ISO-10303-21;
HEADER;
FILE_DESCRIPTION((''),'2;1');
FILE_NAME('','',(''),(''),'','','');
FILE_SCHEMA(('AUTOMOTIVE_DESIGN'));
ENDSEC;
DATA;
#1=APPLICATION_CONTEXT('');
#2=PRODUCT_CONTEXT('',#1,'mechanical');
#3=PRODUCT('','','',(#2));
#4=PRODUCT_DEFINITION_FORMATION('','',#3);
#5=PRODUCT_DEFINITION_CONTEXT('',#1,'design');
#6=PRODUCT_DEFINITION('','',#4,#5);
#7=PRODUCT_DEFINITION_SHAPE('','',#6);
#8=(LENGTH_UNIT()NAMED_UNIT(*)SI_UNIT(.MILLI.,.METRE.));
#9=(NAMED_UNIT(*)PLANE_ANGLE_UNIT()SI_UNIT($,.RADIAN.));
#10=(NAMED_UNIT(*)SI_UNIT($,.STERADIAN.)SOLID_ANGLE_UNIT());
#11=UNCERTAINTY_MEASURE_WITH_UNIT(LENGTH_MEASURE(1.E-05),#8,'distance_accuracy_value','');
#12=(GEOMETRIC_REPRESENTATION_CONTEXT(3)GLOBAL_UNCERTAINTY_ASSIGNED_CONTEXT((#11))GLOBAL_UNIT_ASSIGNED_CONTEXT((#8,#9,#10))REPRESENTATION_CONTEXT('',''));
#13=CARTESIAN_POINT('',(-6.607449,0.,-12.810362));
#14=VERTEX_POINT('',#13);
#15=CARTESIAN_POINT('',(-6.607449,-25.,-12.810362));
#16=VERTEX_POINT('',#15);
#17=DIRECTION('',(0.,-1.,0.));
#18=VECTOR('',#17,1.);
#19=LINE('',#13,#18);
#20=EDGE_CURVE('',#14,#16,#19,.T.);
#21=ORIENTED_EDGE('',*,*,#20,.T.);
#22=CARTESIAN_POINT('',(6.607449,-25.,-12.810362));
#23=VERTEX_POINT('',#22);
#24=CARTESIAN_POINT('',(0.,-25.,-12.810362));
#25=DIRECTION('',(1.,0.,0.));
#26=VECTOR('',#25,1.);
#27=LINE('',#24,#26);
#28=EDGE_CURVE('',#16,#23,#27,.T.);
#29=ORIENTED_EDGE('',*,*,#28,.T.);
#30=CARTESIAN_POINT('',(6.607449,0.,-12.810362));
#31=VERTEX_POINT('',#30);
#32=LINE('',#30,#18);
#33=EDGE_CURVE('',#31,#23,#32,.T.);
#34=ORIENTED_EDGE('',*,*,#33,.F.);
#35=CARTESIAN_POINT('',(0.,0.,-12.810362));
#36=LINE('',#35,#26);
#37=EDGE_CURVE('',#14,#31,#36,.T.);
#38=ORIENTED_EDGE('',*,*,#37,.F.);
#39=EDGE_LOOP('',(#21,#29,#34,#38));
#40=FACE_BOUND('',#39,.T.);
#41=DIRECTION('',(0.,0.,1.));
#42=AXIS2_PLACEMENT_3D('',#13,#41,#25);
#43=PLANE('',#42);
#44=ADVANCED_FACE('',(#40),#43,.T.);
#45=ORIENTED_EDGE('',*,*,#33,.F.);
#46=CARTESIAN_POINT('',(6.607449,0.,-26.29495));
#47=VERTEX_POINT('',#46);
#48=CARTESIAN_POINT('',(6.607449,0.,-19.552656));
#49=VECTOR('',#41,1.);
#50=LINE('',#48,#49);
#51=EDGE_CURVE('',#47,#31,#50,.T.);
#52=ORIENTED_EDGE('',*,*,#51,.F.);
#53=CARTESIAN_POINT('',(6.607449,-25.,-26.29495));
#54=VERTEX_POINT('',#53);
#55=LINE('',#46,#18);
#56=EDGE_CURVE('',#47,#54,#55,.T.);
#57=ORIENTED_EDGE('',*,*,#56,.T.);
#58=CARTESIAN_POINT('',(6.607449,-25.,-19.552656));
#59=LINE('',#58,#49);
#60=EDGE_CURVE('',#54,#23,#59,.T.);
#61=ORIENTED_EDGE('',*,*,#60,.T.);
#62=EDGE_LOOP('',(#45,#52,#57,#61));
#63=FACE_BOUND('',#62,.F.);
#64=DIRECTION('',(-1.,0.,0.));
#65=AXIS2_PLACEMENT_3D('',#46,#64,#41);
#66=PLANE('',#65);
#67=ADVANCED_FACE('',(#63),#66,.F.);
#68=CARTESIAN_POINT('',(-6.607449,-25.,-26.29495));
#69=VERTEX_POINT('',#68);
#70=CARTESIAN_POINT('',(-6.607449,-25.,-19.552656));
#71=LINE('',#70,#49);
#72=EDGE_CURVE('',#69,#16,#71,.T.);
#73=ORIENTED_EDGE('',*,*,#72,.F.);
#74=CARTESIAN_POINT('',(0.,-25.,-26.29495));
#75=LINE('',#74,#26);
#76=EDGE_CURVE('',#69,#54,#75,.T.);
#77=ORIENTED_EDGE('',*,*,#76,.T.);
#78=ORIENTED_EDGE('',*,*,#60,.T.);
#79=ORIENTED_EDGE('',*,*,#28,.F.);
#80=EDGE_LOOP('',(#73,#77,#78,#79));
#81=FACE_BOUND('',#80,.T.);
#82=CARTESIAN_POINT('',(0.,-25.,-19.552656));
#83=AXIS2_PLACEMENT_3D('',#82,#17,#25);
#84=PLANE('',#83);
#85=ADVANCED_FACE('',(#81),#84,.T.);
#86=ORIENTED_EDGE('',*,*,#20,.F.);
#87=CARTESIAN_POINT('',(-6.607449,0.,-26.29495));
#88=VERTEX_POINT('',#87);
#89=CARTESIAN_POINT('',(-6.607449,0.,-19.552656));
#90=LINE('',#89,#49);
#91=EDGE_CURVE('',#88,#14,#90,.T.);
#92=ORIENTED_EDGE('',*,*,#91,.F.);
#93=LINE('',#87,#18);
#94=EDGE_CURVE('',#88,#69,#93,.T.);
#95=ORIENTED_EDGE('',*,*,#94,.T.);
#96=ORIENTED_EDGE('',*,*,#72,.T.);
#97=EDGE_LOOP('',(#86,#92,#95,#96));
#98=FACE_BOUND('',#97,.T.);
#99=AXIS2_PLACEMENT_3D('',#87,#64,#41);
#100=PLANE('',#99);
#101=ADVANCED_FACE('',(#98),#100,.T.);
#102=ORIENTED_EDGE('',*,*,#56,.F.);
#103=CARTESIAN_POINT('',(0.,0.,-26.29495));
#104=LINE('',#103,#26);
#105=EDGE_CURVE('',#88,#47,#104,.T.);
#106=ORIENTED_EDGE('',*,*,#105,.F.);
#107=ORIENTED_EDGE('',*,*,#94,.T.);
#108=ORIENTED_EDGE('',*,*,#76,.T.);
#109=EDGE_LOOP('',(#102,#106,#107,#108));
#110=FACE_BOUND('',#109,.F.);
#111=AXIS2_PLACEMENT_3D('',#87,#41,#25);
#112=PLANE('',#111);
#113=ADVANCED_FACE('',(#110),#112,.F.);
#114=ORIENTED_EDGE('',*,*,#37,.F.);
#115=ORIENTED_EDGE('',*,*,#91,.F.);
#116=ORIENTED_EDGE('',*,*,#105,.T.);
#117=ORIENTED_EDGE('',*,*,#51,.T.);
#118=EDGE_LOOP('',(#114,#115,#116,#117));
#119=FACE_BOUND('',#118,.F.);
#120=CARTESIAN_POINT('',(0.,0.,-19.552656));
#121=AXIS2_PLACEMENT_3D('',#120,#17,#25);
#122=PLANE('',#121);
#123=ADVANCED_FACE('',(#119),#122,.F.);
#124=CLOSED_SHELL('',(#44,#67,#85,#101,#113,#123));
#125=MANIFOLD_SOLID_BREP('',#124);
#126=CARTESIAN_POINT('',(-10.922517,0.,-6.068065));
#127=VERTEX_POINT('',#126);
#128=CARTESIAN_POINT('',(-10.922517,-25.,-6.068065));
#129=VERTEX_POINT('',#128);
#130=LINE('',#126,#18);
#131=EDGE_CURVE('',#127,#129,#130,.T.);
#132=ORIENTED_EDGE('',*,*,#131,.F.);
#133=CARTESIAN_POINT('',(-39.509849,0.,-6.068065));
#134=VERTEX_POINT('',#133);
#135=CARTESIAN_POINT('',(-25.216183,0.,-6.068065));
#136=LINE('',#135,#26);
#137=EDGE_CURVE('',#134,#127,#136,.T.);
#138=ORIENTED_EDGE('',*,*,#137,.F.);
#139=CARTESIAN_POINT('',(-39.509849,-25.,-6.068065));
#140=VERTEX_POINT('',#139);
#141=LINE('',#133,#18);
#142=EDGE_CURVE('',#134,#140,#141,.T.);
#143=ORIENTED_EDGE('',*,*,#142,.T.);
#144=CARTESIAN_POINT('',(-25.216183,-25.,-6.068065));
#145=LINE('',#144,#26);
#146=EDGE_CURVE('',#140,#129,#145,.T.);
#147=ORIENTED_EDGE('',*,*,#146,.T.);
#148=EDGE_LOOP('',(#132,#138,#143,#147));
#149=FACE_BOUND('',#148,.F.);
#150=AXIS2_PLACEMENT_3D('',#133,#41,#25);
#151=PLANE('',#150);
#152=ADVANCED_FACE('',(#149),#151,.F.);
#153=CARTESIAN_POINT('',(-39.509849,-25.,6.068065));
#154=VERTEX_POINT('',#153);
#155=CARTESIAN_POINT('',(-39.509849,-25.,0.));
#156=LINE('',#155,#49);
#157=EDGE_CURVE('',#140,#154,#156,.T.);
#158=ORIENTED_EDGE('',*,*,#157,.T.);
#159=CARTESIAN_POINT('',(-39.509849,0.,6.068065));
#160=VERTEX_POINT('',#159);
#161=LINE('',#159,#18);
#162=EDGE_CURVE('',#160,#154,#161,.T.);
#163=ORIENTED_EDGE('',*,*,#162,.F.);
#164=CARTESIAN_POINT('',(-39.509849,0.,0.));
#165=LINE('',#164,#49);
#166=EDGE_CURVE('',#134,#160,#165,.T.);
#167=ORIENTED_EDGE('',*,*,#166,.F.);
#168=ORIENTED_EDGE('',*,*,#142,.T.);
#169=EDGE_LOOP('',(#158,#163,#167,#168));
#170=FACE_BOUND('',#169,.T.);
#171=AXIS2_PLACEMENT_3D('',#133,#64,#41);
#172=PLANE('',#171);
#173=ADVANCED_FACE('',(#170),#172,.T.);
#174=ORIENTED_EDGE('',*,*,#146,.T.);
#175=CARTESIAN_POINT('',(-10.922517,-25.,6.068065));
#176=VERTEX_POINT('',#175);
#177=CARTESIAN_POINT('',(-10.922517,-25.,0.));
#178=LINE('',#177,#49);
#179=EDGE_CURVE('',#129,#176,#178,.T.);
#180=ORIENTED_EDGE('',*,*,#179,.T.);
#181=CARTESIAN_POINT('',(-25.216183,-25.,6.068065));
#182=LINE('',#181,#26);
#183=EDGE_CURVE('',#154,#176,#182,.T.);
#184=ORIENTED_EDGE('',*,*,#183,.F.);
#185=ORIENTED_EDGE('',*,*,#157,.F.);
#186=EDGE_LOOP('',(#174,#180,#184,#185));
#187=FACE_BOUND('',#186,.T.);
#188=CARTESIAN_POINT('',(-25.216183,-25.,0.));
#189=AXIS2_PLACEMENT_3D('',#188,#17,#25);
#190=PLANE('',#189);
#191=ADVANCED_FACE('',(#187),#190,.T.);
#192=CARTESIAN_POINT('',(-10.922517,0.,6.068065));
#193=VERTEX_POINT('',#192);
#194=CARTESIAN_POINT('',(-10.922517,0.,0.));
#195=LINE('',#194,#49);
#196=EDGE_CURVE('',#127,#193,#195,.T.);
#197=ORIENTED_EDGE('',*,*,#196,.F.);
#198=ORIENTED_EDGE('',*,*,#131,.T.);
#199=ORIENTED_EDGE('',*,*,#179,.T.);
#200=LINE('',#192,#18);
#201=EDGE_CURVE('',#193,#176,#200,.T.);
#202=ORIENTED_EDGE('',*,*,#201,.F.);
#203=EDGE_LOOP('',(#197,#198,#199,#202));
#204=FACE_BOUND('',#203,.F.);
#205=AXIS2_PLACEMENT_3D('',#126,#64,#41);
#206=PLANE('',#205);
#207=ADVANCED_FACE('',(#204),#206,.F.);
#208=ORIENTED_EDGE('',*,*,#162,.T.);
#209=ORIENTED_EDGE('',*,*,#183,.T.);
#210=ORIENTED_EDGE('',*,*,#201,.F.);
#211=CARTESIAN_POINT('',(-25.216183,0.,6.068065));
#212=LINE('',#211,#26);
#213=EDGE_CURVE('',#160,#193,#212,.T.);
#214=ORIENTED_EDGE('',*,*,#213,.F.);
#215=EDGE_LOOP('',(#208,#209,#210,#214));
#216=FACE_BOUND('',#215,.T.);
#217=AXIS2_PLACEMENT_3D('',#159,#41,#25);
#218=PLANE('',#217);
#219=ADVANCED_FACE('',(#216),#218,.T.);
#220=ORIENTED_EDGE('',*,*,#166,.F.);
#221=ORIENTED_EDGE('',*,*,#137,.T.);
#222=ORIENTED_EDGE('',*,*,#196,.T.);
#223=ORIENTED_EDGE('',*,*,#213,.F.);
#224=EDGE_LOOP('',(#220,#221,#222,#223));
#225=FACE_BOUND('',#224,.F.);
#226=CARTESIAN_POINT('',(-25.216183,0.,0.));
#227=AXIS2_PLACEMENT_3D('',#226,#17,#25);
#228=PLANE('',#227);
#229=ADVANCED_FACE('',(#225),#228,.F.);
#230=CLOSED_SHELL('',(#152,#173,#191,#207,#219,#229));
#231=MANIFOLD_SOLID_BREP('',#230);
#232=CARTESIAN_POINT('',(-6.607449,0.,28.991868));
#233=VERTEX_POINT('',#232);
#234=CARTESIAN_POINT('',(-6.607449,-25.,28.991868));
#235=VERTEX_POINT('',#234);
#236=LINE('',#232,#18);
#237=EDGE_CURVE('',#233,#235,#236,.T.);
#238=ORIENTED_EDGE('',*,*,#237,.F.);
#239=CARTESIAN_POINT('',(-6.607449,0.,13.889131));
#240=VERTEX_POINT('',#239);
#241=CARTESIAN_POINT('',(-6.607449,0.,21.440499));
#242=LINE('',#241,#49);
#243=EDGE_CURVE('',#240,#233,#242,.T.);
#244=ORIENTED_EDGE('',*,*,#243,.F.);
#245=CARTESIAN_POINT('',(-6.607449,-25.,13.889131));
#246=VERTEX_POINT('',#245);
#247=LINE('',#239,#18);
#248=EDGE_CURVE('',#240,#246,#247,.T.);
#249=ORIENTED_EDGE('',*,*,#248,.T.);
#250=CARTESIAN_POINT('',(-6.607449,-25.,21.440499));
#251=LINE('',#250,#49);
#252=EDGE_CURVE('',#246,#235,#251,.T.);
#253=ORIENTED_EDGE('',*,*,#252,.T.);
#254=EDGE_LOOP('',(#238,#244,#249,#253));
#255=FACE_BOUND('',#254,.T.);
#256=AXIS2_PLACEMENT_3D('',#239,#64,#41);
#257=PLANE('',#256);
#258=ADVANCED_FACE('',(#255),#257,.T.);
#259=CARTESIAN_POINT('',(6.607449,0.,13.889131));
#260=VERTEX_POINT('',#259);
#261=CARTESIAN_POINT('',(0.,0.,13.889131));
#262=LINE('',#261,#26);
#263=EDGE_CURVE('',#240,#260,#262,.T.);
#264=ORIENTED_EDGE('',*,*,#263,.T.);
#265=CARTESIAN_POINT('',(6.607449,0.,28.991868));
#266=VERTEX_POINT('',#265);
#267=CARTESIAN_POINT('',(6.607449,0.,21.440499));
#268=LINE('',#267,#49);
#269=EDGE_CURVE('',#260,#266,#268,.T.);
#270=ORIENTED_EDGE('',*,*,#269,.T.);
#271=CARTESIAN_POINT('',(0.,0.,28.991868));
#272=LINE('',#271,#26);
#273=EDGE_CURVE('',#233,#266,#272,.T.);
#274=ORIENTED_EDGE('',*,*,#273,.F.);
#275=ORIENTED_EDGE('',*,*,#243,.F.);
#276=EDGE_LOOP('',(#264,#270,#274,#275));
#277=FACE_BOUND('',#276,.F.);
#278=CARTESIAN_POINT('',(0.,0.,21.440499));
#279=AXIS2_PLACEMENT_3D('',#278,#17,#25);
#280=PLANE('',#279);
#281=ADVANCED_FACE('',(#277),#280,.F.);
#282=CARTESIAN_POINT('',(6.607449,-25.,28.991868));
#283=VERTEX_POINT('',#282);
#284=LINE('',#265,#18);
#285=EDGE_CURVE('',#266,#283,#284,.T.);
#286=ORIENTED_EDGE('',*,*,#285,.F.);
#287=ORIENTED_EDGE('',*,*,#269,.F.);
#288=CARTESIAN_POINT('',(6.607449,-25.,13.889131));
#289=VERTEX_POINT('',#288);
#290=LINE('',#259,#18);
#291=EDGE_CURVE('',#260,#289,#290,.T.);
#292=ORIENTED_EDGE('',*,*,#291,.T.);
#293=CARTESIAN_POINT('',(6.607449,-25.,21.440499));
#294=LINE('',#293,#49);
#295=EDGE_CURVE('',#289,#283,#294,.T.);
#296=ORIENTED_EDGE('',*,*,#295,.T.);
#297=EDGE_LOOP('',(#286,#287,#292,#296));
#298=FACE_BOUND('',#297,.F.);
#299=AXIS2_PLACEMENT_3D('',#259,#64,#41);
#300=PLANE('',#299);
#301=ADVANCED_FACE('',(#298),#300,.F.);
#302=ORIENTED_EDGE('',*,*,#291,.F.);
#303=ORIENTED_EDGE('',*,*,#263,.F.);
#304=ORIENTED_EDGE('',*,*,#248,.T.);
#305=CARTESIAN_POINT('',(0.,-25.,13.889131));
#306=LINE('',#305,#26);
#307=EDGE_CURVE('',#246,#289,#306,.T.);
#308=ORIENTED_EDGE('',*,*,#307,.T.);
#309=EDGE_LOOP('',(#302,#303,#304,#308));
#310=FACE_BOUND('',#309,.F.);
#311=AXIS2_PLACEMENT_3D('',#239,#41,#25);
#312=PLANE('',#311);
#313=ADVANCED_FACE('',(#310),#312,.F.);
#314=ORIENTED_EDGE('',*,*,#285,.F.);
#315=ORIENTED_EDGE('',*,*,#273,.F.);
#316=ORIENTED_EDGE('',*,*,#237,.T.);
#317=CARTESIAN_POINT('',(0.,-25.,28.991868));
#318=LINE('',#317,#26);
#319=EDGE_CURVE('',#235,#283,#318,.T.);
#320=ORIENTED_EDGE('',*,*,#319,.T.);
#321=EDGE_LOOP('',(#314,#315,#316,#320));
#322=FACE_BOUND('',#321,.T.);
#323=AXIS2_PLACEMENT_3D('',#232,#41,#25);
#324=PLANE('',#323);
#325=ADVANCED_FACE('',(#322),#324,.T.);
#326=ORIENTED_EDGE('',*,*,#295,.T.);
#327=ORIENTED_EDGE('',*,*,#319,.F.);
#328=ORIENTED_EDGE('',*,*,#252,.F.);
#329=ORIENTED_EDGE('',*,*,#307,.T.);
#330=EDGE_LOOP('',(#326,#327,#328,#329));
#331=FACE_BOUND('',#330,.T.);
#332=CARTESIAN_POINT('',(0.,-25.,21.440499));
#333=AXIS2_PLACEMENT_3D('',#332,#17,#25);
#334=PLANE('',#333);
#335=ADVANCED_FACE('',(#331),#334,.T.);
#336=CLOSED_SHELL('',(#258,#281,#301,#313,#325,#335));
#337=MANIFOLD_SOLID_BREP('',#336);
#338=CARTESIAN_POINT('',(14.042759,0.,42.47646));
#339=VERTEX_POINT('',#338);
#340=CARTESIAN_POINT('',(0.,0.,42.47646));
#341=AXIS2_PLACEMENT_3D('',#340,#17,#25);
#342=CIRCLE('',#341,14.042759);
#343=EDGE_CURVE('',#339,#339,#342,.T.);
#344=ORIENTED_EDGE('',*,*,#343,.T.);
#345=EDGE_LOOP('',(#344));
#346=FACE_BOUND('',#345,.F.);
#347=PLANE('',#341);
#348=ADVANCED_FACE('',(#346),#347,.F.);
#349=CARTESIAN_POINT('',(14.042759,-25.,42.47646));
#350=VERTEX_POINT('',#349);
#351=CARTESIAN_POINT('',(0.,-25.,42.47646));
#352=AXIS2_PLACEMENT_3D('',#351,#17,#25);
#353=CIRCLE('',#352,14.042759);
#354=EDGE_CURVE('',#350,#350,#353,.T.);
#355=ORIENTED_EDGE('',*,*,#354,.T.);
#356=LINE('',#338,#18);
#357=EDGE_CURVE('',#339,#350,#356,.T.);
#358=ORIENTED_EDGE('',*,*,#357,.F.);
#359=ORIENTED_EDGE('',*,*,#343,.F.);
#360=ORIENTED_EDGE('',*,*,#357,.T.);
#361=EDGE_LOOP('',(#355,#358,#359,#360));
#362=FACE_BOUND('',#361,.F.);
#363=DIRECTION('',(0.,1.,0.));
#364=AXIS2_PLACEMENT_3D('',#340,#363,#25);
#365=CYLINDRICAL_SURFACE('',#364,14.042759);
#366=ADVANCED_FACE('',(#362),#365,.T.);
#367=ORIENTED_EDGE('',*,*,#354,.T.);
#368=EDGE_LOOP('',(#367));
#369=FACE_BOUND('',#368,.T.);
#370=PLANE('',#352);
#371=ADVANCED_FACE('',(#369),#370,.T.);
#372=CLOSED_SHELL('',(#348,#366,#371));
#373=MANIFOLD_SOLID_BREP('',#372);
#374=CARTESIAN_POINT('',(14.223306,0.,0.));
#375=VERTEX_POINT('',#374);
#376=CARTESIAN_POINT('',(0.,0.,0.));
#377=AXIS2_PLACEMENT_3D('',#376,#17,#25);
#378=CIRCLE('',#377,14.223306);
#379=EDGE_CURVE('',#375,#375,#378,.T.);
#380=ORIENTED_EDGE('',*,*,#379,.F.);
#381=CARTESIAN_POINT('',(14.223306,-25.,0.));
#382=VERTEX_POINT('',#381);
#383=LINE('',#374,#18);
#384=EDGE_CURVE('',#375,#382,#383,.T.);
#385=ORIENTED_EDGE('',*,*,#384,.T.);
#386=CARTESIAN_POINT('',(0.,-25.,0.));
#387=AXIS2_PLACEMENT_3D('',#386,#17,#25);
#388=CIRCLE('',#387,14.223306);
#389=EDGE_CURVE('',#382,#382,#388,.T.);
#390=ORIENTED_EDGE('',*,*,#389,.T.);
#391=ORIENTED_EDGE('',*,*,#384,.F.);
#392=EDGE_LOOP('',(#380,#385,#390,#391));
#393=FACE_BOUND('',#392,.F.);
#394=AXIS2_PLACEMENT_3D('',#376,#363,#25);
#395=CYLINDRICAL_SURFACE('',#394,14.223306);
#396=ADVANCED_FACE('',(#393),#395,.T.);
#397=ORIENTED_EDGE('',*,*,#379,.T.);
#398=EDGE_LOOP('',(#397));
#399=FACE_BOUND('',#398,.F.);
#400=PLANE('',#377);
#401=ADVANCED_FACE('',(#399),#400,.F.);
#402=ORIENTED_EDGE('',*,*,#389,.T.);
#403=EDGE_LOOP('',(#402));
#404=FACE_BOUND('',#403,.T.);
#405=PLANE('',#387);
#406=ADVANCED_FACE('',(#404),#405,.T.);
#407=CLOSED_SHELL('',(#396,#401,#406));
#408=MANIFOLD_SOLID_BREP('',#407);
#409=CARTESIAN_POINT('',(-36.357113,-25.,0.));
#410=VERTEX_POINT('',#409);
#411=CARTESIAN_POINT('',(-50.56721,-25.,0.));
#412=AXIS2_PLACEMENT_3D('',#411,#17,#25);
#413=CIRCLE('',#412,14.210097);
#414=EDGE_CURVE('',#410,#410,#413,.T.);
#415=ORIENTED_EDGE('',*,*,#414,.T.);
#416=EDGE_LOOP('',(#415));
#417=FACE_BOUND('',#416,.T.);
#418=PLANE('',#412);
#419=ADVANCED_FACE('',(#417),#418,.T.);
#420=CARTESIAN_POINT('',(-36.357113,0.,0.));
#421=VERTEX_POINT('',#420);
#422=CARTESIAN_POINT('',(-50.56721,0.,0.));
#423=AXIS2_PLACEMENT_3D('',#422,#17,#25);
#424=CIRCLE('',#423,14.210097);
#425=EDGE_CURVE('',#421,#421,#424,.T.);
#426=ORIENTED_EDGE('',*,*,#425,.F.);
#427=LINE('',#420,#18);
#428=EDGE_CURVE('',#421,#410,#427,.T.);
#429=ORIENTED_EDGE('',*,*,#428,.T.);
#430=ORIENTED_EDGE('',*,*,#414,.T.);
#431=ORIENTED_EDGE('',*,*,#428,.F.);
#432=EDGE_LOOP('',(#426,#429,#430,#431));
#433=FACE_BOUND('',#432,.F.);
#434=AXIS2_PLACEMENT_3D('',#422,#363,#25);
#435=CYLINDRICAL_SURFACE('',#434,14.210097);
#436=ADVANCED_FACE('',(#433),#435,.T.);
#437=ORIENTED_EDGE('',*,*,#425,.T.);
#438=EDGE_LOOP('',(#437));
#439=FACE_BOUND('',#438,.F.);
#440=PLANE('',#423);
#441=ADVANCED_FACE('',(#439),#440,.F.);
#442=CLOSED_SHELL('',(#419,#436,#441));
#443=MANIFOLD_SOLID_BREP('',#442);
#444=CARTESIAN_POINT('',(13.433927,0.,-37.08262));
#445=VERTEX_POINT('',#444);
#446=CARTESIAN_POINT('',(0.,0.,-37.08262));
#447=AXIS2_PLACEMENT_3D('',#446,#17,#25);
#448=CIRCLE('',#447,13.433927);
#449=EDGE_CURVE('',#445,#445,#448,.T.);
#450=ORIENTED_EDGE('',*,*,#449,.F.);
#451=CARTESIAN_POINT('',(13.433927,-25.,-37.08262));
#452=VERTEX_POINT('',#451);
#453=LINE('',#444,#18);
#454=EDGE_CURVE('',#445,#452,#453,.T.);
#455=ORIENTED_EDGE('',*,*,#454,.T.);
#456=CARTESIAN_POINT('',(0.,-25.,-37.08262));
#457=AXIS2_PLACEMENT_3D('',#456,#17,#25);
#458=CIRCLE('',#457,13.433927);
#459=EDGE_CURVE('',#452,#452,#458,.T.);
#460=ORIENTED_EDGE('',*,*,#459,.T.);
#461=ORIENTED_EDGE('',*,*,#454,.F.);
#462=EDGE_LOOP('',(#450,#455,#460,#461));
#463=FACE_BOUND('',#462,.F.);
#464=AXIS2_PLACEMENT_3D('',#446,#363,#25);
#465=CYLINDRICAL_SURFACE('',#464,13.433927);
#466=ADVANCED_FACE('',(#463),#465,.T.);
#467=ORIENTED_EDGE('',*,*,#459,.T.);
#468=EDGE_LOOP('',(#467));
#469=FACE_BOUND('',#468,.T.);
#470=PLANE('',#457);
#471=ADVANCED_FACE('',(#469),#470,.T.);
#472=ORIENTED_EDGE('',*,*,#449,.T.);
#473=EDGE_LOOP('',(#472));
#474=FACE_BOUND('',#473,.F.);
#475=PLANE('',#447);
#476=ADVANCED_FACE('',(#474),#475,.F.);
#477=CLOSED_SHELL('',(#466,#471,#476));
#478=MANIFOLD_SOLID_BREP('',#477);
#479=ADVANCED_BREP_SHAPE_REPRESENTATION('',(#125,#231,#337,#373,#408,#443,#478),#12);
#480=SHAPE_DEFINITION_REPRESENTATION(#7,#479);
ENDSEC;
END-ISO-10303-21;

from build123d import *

# Parameters (mm, degrees)
F0_R     = 14.223306
F1_DEPTH = 25
F2_R     = 14.042759
F3_DEPTH = 25
F4_R     = 13.433927
F5_DEPTH = 25
F6_R     = 14.210097
F7_DEPTH = 25
F8_W     = 13.214898
F8_H     = 15.102737
F8_H_2   = 13.484589
F8_W_2   = 28.587332
F8_H_3   = 12.13613
F9_DEPTH = 25


with BuildPart() as f1:
    # F0 (on Front) → F1 (new body)
    with BuildSketch(Plane.XZ):
        Circle(F0_R)
    extrude(amount=F1_DEPTH)


with BuildPart() as f3:
    # F2 (on Front) → F3 (new body)
    with BuildSketch(Plane.XZ):
        with Locations((0, 42.47646)):
            Circle(F2_R)
    extrude(amount=F3_DEPTH)


with BuildPart() as f5:
    # F4 (on Front) → F5 (new body)
    with BuildSketch(Plane.XZ):
        with Locations((0, -37.08262)):
            Circle(F4_R)
    extrude(amount=F5_DEPTH)


with BuildPart() as f7:
    # F6 (on Front) → F7 (new body)
    with BuildSketch(Plane.XZ):
        with Locations((-50.56721, 0)):
            Circle(F6_R)
    extrude(amount=F7_DEPTH)


with BuildPart() as f9:
    # F8 (on Front) → F9 (new body)
    with BuildSketch(Plane.XZ):
        with Locations((0, 21.440499)):
            Rectangle(F8_W, F8_H)
        with Locations((0, -19.552656)):
            Rectangle(F8_W, F8_H_2)
        with Locations((-25.216183, 0)):
            Rectangle(F8_W_2, F8_H_3)
    extrude(amount=F9_DEPTH)


solid = Compound([f1.part, f3.part, f5.part, f7.part, f9.part])
